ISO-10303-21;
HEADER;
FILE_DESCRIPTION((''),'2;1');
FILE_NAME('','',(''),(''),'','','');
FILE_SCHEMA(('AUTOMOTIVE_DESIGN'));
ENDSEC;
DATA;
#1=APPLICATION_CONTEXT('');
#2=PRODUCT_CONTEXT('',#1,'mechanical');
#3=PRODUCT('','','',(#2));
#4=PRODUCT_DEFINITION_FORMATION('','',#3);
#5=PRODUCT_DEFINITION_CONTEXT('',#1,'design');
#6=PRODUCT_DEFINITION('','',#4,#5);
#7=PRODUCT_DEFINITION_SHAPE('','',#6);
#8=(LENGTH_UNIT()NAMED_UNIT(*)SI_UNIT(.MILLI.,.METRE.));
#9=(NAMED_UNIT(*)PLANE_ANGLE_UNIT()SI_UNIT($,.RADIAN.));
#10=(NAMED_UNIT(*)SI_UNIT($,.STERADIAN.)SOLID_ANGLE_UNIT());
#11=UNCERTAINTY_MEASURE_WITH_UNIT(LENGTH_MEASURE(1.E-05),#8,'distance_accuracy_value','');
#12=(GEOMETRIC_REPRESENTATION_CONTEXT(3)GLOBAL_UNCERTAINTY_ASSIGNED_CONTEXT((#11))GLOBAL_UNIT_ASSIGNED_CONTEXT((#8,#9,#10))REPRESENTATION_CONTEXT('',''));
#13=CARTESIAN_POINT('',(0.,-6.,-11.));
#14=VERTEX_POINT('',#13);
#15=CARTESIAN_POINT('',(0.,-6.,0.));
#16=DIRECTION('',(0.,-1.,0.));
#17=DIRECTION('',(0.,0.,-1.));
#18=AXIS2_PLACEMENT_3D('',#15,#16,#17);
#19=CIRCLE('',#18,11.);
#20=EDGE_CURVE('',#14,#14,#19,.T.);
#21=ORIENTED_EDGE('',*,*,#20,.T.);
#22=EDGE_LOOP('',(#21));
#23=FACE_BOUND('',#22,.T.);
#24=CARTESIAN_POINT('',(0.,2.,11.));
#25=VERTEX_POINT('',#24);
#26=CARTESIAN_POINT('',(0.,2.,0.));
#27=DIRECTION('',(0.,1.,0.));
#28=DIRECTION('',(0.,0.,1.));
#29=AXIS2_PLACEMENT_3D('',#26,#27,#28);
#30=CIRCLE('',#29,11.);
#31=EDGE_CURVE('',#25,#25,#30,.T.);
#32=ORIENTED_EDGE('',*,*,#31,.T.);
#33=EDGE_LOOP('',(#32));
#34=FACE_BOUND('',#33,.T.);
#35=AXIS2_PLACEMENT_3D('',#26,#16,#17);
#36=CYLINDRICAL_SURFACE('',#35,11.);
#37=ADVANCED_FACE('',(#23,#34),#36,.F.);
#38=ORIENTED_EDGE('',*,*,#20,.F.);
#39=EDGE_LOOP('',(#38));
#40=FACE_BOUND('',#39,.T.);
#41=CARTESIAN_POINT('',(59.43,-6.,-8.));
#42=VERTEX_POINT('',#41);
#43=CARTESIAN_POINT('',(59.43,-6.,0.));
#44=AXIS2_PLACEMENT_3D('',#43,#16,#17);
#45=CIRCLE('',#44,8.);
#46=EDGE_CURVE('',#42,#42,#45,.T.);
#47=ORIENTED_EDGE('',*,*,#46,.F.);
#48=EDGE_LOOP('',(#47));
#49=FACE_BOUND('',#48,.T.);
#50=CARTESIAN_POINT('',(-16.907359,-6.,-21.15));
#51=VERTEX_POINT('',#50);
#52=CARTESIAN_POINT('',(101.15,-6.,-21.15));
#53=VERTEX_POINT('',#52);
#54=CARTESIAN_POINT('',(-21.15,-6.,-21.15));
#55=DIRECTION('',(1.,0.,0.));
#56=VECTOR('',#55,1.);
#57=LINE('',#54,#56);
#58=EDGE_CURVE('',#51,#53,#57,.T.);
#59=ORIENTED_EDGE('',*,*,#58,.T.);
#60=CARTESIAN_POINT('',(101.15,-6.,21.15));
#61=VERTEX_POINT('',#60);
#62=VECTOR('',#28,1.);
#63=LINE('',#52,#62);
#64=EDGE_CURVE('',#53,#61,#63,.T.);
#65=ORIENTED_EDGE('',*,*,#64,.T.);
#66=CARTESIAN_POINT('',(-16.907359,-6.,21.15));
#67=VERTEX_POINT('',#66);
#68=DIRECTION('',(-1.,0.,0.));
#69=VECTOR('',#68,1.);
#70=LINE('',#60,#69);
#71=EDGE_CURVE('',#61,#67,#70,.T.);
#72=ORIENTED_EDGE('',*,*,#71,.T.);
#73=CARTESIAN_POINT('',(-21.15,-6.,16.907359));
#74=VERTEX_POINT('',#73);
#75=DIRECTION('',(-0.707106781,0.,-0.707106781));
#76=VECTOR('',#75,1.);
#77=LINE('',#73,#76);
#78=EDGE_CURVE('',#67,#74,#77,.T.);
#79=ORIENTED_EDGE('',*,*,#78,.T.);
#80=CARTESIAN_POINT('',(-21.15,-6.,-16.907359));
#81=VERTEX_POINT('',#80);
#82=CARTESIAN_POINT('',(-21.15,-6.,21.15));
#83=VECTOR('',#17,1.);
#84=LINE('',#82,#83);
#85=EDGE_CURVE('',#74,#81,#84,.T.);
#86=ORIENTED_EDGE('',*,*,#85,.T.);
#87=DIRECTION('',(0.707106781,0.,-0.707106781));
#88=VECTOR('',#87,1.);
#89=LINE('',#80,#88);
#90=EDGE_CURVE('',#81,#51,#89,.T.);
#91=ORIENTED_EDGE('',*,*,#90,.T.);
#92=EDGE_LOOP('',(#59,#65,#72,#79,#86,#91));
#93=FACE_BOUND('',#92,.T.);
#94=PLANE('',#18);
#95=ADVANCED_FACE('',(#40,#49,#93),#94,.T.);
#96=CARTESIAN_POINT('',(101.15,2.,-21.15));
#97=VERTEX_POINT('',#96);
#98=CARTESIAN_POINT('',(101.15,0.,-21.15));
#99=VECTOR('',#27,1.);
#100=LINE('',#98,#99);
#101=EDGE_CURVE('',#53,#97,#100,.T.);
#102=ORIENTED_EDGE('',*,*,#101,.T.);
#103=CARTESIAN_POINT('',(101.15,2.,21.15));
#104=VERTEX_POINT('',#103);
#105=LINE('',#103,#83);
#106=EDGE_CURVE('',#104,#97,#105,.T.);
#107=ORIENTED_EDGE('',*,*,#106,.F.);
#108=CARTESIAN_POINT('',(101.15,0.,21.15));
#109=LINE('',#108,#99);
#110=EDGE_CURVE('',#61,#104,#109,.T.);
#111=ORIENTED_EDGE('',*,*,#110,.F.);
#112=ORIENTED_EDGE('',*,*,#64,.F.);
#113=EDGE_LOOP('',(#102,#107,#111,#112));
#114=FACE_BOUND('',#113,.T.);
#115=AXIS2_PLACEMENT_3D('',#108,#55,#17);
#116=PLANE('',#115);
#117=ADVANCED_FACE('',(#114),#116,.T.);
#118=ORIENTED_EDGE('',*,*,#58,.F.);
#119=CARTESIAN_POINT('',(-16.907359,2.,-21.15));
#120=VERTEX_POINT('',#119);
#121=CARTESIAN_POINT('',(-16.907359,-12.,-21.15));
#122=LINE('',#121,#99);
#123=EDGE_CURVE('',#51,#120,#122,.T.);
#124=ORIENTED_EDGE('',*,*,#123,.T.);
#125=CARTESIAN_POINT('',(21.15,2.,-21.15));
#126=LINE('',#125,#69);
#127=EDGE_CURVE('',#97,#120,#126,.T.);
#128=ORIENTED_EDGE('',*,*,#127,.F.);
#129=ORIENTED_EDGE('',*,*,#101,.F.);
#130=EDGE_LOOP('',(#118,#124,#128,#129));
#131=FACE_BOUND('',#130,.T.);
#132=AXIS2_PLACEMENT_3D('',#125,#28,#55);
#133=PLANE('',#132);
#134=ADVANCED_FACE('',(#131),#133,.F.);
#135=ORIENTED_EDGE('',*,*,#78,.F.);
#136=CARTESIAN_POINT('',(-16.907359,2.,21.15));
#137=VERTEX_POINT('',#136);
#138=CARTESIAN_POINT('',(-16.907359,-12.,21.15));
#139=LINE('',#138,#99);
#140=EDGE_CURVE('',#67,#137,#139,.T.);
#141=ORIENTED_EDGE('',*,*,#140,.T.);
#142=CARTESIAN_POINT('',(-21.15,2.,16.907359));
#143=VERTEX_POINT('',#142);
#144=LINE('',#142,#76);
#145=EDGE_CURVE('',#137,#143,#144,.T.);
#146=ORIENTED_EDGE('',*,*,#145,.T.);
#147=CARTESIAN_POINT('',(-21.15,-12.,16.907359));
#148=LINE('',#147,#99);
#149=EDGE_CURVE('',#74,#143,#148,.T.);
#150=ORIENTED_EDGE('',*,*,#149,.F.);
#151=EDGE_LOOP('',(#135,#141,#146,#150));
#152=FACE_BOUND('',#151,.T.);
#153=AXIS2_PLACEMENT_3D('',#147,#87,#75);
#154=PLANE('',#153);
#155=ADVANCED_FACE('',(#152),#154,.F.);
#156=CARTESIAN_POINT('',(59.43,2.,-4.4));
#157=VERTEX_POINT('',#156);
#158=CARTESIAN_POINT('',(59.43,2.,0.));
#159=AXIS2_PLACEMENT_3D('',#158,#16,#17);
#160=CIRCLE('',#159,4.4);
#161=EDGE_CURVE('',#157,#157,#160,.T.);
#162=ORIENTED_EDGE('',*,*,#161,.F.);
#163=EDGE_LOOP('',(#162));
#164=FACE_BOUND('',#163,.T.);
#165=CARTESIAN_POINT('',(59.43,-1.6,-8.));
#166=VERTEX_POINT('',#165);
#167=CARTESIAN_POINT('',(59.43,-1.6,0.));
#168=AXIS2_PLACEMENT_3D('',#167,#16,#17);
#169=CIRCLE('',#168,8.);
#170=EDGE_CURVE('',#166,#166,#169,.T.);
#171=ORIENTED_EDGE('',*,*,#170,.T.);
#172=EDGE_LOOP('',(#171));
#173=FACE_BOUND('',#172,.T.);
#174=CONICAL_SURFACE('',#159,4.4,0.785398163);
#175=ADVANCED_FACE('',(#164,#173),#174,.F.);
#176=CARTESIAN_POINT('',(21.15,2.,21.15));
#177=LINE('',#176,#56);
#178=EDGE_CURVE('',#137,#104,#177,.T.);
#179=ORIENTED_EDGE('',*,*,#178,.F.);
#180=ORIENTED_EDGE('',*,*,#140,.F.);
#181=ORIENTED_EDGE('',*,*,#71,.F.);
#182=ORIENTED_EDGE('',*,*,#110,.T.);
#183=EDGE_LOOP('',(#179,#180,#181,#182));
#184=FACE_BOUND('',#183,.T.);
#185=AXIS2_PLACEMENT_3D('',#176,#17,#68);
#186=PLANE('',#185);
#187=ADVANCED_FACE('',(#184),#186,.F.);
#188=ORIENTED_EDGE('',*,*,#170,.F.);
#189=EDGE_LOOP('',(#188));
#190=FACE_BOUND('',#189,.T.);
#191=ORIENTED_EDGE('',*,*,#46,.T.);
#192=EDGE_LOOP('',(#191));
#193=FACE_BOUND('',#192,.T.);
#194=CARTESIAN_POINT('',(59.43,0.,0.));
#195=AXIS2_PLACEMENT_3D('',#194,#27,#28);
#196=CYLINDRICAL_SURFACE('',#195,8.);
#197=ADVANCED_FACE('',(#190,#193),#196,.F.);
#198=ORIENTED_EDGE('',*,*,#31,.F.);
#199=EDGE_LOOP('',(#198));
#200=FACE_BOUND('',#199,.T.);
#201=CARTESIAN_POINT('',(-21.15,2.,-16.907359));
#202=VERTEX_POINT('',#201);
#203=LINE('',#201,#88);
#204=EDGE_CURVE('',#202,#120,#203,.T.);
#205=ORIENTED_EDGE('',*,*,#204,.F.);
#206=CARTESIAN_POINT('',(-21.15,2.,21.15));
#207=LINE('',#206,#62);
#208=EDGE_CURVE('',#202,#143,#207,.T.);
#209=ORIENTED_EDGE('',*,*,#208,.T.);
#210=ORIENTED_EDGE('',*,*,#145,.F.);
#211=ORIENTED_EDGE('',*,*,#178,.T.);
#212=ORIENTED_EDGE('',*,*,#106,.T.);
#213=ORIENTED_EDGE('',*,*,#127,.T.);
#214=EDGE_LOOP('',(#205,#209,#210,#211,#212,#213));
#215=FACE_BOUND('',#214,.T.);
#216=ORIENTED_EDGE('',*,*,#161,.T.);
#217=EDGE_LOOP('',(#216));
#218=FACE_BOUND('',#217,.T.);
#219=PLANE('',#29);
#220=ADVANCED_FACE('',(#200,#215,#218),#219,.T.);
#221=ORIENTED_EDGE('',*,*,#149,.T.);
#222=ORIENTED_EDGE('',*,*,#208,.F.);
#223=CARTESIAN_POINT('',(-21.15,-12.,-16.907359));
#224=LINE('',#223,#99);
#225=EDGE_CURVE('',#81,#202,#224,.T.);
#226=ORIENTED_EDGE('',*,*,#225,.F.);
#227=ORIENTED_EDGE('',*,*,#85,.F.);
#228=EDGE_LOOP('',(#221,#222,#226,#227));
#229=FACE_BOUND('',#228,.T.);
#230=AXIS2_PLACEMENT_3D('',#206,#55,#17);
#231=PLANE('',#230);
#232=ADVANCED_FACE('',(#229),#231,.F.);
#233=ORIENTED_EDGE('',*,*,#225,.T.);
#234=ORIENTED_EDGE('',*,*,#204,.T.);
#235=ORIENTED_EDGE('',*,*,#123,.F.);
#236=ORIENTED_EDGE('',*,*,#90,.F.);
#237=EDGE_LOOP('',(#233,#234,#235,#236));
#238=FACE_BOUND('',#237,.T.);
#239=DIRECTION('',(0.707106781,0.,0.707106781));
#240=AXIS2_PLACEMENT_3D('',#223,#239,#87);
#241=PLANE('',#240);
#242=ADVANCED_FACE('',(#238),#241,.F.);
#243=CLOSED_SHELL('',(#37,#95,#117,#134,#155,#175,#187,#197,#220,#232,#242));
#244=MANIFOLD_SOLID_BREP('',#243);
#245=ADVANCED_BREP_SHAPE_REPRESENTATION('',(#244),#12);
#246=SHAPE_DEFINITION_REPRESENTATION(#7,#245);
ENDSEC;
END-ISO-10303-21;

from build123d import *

# Parameters (mm, degrees)
SKETCH1_W           = 42.3
SKETCH1_H           = 42.3
SKETCH1_R           = 11
BOSS_EXTRUDE1_DEPTH = 2
SKETCH2_W           = 80
SKETCH2_H           = 42.3
SKETCH2_R           = 8
BOSS_EXTRUDE2_DEPTH = 2
SKETCH3_W           = 122.3
SKETCH3_H           = 42.3
SKETCH3_R           = 8
SKETCH3_R_2         = 11
BOSS_EXTRUDE3_DEPTH = 6
CUT_EXTRUDE1_DEPTH  = 8


with BuildPart() as part:
    # Sketch1 → Boss-Extrude1 (new body)
    with BuildSketch(Plane(origin=(0, 0, 0), x_dir=(1, 0, 0), z_dir=(0, 1, 0))):
        Rectangle(SKETCH1_W, SKETCH1_H)
        with Locations(Location((0, 0, 0), (0, 0, 270))):
            Circle(SKETCH1_R, mode=Mode.SUBTRACT)
    extrude(amount=BOSS_EXTRUDE1_DEPTH)

    # Sketch2 → Boss-Extrude2 (add)
    with BuildSketch(Plane(origin=(0, 2, 0), x_dir=(1, 0, 0), z_dir=(0, 1, 0))):
        with Locations((61.15, 0)):
            Rectangle(SKETCH2_W, SKETCH2_H)
        with Locations(Location((59.43, 0, 0), (0, 0, 270))):
            Circle(SKETCH2_R, mode=Mode.SUBTRACT)
    extrude(amount=-BOSS_EXTRUDE2_DEPTH)

    # Sketch3 → Boss-Extrude3 (add)
    with BuildSketch(Plane.XZ):
        with Locations((40, 0)):
            Rectangle(SKETCH3_W, SKETCH3_H)
        with Locations(Location((59.43, 0, 0), (0, 0, 90))):
            Circle(SKETCH3_R, mode=Mode.SUBTRACT)
        with Locations(Location((0, 0, 0), (0, 0, 270))):
            Circle(SKETCH3_R_2, mode=Mode.SUBTRACT)
    extrude(amount=BOSS_EXTRUDE3_DEPTH)

    # Sketch5 → Revolve1 (revolve)
    with BuildSketch(Plane.XY, mode=Mode.PRIVATE) as revolve1_sk:
        Polygon((67.43, 2), (63.83, 2), (67.43, -1.6), align=None)
    revolve(revolve1_sk.sketch.rotate(Axis((59.43, 0, 0), (0, 1, 0)), 90), axis=Axis((59.43, 0, 0), (0, 1, 0)))

    # Sketch6 → Cut-Extrude1 (cut)
    with BuildSketch(Plane(origin=(0, 2, 0), x_dir=(1, 0, 0), z_dir=(0, 1, 0))):
        Polygon((-21.15, 16.907359313), (-16.907359313, 21.15), (-21.15, 21.15), align=None)
        Polygon((-21.15, -21.15), (-21.15, -16.907359313), (-16.907359313, -21.15), align=None)
    extrude(amount=-CUT_EXTRUDE1_DEPTH, mode=Mode.SUBTRACT)


solid = part.part
